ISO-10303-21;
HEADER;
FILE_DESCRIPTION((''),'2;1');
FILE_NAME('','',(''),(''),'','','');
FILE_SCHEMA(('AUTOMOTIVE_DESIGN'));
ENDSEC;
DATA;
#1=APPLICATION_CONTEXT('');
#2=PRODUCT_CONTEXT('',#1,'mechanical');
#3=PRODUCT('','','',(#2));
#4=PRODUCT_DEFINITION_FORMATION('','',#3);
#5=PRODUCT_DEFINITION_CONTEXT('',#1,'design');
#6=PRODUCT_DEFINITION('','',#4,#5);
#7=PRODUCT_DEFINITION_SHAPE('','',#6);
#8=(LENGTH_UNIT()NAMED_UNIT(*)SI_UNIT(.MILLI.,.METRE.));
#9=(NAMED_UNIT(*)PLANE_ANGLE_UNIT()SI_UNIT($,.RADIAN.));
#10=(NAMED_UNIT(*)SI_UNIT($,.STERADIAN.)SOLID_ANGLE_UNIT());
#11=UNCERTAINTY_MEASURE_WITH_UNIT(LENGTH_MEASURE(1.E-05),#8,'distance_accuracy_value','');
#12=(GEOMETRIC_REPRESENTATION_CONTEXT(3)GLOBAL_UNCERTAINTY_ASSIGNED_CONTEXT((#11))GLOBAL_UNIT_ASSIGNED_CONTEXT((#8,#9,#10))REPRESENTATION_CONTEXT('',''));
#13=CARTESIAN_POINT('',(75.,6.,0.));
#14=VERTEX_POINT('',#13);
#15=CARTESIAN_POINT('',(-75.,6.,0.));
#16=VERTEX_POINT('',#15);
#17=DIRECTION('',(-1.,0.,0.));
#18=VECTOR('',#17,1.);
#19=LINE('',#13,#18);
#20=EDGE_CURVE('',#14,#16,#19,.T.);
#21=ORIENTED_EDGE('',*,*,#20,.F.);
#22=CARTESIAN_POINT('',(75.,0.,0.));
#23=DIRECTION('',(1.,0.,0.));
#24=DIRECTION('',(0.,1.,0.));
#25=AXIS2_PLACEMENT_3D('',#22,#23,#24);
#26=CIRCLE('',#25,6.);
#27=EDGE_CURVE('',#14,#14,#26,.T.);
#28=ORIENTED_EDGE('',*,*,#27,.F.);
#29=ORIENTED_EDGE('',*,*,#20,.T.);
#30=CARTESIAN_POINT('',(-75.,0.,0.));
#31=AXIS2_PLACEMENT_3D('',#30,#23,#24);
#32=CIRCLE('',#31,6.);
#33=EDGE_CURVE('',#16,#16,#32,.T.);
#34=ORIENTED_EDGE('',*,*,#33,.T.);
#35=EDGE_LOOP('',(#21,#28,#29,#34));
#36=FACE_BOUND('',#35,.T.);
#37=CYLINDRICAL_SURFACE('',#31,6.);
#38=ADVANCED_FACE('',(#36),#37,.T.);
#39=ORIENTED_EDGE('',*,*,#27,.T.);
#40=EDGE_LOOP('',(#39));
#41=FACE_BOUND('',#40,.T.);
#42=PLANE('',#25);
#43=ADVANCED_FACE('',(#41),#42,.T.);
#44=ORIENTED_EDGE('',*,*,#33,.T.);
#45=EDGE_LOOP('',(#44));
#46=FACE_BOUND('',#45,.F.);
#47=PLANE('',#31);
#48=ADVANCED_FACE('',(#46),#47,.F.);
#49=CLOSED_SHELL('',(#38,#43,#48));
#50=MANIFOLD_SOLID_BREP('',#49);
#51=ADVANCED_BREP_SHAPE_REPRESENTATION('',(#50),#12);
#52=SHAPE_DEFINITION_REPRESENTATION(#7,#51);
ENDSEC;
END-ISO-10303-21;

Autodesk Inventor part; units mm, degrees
ref_plane "YZ Plane" through (0, 0, 0) normal (1, 0, 0) x (0, 1, 0)
ref_plane "XZ Plane" through (0, 0, 0) normal (0, 1, 0) x (-1, 0, 0)
sketch "Эскиз1" plane through (0, 0, 0) normal (0, 0, 1) x (1, 0, 0)
  line L0 (75, 6) -> (75, 0)
  line L1 (-75, 0) -> (75, 0)
  line L2 (-105, 0) -> (105, 0) projected
  line L3 (0, 7.2) -> (0, -1.2) projected
  line L4 (-75, 6) -> (-75, 0)
  line L5 (0, 6) -> (0, 0) construction
  line L6 (-105, 0) -> (105, 0) projected
  line L7 (-75, 6) -> (75, 6)
  dimension "d13" = 12
  dimension "d87" = 150
  dimension "d88" = 75
revolve "Базовый элемент" add sketch "Эскиз1" angle 360 about axis through (-75, 0, 0) along (1, 0, 0)
thread "Резьба1" size "M12x1.5" class "6g" standard "ISO Metric profile" length 150
ref_plane "Work Plane1" through (2.75, 0, 0) normal (0, -1, 0) x (1, 0, 0)
equation "\"d13\" = NND"
equation "\"d87\" = NLG"
equation "\"d88\" = 0.5 * NLG"
equation "\"d1\" = GEL"
equation "\"NLG\" = 150"
equation "\"GEL\" = NLG"
equation "\"GAL\" = 0.61345 * PTC"
equation "\"SPD\" = 9.93"
equation "\"d0\" = NND"
equation "\"GUL\" = 0.61345 * PTC"
equation "\"NND\" = 12"
equation "\"GUL1\" = GUL"
equation "\"GAL1\" = GAL"
equation "\"d89\" = -GEL + GUL1"
equation "\"d90\" = -GUL - GEL"
equation "\"PTC\" = 1.5"
equation "\"THREADDIA\" = 12"
equation "\"TOA\" = 30deg"
equation "\"GD1\" = THREADDIA - 1.2269 * PTC"
properties part number "DIN 976-1 - M12 x 1,5 x 150 - A" material "Сталь, мягкая"
